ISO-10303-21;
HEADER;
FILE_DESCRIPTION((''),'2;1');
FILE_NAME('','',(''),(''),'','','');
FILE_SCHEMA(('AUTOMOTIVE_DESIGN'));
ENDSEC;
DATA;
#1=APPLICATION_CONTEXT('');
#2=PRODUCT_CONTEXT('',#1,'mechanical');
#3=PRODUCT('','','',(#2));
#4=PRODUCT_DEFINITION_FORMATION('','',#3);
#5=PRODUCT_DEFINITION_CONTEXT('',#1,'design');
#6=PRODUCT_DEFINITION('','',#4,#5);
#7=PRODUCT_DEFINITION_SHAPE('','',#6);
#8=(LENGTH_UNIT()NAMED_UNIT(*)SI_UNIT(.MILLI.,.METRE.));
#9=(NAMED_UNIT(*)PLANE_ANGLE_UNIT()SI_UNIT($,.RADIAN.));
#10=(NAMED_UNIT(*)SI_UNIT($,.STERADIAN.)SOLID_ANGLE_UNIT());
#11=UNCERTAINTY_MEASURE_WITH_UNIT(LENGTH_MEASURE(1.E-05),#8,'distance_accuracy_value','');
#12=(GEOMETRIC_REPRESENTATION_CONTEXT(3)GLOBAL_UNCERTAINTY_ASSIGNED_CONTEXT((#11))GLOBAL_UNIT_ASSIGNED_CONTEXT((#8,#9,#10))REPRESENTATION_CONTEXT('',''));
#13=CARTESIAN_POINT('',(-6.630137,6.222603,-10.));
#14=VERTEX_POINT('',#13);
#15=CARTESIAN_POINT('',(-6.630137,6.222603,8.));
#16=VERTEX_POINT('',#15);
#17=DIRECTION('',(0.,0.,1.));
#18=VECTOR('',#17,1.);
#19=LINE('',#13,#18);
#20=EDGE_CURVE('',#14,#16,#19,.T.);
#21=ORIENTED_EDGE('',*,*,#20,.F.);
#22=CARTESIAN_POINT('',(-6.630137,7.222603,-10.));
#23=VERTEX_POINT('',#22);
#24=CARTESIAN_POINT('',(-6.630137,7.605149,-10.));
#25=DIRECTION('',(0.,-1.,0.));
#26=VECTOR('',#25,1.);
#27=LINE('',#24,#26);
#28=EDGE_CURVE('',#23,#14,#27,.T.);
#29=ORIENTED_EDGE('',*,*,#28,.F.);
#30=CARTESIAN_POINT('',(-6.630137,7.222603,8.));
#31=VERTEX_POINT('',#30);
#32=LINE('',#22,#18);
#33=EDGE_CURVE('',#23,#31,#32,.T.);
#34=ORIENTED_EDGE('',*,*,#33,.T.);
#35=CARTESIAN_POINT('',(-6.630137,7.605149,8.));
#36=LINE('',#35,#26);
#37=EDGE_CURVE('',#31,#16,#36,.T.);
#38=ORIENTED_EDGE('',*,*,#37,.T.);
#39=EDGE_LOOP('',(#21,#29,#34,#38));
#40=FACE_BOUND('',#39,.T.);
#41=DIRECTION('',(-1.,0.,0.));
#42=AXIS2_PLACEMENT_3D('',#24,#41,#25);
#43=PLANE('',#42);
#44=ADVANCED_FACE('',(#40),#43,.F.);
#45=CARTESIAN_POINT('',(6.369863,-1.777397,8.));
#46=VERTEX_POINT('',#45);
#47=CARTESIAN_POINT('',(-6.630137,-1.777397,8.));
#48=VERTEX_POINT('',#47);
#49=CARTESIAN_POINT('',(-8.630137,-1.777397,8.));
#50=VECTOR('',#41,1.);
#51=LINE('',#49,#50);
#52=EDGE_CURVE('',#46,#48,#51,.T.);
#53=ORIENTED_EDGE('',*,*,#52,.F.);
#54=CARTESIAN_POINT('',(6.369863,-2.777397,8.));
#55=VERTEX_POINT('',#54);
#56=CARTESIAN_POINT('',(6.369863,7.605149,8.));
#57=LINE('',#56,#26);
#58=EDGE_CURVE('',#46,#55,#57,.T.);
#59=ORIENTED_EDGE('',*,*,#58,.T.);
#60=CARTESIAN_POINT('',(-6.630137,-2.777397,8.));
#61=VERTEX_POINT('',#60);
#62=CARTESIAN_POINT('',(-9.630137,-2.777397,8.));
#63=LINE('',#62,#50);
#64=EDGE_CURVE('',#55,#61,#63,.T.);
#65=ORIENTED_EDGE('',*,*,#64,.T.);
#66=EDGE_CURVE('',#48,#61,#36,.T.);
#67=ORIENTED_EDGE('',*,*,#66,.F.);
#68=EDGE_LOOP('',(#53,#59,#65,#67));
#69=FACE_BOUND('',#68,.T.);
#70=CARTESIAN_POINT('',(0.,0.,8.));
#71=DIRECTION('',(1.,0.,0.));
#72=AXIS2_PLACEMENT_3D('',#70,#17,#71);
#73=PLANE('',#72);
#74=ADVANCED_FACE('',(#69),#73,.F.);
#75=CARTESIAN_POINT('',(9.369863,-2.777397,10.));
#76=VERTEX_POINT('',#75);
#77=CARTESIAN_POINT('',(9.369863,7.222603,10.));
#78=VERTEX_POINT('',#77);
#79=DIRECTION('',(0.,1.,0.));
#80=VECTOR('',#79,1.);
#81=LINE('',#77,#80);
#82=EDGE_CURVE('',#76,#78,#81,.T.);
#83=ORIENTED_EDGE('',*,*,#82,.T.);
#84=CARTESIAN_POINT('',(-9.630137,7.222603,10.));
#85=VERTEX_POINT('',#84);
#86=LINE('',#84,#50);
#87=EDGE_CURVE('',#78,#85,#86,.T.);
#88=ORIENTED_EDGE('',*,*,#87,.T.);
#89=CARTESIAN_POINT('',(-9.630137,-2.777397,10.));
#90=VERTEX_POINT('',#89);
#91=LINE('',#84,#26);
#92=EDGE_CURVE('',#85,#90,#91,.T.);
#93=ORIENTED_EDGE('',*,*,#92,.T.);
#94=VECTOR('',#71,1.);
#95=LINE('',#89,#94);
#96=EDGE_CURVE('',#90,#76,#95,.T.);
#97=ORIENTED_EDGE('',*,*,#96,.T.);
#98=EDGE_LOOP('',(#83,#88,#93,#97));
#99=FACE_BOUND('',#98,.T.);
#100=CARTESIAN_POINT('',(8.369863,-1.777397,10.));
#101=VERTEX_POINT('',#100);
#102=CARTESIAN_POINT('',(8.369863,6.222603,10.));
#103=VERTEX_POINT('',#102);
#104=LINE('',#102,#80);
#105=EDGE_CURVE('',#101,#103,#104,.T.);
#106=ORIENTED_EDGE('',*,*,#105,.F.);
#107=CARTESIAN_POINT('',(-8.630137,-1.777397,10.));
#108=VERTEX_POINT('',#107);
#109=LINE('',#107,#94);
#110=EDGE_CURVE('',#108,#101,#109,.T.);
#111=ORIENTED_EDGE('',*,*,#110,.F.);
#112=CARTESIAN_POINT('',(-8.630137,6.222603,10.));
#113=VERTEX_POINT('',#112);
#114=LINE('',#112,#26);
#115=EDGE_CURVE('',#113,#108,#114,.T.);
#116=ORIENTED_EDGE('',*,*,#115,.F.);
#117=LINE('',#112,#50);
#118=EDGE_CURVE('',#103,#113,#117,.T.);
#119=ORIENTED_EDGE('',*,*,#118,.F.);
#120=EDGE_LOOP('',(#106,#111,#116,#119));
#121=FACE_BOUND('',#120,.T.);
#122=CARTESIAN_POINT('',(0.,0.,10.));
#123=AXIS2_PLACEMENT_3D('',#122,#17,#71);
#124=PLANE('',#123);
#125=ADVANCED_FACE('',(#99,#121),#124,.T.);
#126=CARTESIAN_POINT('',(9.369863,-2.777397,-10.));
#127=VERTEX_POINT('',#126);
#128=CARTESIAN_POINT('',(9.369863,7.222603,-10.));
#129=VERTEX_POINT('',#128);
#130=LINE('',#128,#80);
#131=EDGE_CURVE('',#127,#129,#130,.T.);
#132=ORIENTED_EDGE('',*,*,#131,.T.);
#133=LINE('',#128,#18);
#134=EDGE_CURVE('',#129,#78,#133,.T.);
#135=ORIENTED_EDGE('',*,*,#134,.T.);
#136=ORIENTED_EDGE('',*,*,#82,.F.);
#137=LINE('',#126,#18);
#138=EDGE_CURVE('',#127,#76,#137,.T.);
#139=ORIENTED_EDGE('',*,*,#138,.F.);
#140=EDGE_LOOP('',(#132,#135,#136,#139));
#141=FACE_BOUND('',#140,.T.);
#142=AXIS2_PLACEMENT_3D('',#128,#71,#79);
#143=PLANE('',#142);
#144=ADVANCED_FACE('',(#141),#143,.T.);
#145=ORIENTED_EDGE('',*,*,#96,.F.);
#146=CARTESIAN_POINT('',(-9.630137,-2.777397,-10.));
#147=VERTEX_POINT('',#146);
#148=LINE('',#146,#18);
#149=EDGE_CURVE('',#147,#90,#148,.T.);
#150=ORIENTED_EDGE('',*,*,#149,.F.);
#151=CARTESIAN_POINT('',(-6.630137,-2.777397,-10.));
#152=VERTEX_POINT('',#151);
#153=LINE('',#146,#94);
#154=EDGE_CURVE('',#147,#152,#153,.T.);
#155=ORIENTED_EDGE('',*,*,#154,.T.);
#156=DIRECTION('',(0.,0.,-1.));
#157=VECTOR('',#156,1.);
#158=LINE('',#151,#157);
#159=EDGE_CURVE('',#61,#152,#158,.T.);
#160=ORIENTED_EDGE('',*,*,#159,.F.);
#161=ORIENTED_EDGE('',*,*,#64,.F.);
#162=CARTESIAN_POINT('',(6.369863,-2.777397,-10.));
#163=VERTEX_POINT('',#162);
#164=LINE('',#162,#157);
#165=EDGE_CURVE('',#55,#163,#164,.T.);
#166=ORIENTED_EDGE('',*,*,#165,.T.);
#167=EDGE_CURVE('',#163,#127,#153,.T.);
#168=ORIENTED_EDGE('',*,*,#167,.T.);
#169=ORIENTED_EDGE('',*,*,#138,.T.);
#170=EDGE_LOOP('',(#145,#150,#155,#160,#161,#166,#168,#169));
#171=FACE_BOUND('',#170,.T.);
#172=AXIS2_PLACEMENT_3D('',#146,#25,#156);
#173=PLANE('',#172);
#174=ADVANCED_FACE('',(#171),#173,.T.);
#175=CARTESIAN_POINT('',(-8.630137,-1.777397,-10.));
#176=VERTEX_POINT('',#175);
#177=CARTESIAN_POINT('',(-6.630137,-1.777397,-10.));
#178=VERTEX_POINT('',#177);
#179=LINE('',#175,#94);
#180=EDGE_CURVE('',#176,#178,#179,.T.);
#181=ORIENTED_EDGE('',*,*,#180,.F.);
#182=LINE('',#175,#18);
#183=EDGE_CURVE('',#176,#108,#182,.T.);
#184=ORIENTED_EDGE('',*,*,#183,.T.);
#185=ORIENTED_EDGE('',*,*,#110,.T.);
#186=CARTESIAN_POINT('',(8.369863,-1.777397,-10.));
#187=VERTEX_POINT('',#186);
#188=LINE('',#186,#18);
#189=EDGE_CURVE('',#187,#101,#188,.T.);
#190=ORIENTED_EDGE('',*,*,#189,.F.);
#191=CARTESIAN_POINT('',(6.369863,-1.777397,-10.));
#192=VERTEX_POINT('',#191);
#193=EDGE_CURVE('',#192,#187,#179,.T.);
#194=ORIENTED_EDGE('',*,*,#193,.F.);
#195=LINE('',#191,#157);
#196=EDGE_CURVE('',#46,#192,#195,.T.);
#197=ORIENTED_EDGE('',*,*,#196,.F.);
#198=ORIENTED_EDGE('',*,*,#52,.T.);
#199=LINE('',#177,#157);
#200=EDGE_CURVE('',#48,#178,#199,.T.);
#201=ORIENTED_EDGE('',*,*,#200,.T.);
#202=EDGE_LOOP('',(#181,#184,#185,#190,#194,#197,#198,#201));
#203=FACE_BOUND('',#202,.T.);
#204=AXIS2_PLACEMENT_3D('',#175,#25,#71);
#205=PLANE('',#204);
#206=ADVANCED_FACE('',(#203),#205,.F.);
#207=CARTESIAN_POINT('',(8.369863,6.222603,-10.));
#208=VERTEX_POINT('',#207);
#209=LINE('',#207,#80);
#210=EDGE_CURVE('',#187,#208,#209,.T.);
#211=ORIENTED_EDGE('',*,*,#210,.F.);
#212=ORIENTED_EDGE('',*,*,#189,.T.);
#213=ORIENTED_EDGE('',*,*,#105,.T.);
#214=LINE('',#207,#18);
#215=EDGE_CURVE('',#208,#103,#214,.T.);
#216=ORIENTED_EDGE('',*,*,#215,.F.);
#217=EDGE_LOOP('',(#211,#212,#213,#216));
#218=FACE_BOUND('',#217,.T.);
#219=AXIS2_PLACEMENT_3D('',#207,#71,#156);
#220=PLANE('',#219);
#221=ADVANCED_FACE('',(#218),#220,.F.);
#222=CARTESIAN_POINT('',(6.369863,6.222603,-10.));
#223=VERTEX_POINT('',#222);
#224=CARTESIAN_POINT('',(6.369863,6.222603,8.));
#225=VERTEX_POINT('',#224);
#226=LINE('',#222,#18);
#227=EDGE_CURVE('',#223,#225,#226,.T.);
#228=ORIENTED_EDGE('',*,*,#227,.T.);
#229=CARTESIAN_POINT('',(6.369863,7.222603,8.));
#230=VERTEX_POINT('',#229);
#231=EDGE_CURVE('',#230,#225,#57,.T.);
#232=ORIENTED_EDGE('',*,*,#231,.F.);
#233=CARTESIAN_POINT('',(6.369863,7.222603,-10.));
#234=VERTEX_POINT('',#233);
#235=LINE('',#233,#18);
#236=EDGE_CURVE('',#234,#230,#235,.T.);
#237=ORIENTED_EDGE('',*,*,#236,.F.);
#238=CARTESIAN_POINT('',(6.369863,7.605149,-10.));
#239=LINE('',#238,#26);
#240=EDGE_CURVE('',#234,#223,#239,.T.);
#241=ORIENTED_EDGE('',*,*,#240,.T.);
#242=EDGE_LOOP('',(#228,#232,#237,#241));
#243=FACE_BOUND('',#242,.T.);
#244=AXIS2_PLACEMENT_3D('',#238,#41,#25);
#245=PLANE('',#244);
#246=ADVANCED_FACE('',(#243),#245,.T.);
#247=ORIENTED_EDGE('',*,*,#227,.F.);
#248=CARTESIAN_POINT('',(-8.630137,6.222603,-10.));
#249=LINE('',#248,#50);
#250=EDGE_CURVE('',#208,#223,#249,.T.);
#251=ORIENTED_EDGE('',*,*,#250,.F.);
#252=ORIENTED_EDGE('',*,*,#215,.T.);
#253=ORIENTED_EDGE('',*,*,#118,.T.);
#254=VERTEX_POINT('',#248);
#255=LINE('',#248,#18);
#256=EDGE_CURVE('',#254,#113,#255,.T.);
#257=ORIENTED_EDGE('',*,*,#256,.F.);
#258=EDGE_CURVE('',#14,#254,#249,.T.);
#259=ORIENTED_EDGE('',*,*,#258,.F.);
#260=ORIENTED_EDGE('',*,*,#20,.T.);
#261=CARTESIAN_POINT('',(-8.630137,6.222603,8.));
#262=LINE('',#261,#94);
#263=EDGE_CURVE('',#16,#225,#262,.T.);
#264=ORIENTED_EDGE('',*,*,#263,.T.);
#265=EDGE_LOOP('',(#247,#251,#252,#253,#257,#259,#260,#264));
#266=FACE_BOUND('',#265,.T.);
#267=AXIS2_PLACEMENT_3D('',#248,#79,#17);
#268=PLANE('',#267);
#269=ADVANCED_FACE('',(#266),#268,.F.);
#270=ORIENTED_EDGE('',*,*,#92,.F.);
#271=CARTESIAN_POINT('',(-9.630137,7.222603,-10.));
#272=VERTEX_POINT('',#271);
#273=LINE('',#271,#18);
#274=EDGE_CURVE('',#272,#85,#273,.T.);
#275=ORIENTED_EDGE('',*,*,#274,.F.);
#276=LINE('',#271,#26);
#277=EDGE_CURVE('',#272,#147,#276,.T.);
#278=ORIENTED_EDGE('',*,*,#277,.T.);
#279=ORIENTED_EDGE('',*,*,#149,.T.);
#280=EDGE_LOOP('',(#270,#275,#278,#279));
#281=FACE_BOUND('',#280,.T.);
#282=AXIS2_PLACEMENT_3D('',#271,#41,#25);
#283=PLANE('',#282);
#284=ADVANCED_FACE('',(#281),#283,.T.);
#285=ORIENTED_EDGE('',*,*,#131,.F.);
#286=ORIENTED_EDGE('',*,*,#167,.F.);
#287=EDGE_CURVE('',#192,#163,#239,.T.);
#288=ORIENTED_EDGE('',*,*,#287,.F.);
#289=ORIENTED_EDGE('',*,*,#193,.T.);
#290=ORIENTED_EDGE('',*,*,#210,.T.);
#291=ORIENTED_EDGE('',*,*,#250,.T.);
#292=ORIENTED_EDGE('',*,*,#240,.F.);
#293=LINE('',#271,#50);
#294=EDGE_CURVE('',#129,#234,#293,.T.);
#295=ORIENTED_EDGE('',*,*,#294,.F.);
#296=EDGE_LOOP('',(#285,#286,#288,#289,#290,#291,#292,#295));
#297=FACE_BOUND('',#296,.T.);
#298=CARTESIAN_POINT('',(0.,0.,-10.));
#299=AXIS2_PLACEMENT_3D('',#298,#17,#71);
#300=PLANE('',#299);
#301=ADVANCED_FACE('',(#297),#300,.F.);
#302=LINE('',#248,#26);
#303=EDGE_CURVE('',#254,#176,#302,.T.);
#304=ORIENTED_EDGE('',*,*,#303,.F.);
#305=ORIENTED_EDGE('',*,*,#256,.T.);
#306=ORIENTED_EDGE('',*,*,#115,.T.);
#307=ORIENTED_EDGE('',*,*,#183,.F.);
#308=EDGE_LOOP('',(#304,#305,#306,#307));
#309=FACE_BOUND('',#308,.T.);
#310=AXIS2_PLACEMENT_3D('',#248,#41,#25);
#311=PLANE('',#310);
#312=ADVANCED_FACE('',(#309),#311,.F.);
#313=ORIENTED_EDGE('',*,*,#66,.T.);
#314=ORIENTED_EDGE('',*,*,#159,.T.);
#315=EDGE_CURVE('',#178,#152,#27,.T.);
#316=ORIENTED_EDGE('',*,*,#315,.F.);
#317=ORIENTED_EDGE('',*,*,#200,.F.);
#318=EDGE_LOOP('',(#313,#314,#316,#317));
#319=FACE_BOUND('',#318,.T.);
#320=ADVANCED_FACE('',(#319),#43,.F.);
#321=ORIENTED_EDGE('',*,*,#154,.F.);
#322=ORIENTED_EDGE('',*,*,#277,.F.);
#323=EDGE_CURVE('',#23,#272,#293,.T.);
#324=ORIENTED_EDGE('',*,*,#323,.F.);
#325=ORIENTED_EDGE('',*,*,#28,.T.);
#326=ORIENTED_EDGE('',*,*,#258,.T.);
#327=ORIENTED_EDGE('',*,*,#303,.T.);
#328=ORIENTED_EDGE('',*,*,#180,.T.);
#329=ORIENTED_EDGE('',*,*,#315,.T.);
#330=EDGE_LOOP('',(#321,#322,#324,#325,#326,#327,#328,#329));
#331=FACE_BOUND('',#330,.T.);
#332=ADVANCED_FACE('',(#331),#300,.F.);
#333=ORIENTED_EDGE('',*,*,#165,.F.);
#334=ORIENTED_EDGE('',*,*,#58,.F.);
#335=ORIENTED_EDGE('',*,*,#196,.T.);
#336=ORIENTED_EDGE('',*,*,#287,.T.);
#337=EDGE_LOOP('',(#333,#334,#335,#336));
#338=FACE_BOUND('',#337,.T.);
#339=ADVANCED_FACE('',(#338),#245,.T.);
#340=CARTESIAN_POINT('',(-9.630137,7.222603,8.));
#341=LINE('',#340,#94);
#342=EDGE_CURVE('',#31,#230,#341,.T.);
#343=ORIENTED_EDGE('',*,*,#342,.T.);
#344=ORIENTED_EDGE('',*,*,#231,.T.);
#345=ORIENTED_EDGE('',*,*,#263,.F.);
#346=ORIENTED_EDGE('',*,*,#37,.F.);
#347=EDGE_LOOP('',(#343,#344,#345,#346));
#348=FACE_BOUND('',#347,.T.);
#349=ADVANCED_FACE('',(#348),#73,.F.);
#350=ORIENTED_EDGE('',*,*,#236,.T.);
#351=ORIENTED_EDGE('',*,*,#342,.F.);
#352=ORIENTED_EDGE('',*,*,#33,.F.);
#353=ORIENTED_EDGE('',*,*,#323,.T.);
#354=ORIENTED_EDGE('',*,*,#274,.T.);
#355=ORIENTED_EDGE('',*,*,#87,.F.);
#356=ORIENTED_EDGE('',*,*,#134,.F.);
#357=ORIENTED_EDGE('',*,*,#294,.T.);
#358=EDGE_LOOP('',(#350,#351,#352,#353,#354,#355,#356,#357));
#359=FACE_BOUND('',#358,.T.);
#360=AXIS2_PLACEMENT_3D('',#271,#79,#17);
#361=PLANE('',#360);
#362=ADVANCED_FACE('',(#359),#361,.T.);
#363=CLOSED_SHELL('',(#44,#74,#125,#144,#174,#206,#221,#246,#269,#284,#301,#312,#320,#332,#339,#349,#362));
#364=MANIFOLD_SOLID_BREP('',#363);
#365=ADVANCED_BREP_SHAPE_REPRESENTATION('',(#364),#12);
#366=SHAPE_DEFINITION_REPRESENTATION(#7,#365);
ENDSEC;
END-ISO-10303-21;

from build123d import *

# Parameters (mm, degrees)
BOSS_EXTRUDE1_DEPTH      = 10
BOSS_EXTRUDE1_DEPTH_BACK = 10
SKETCH1_W                = 19
SKETCH1_H                = 10
SKETCH2_W                = 17
SKETCH2_H                = 8
CUT_EXTRUDE1_DEPTH       = 20
CUT_EXTRUDE3_DEPTH       = 8
CUT_EXTRUDE3_DEPTH_BACK  = 10
SKETCH3_W                = 13
SKETCH3_H                = 10.51996768


with BuildPart() as part:
    # Sketch1 → Boss-Extrude1 (new, two sides: drawn at the far end of the back side and taken through both)
    with BuildSketch(Plane.XY.offset(-BOSS_EXTRUDE1_DEPTH_BACK)):
        with Locations((-0.130136986, 2.22260274)):
            Rectangle(SKETCH1_W, SKETCH1_H)
    extrude(amount=BOSS_EXTRUDE1_DEPTH + BOSS_EXTRUDE1_DEPTH_BACK)

    # Sketch2 → Cut-Extrude1 (cut)
    with BuildSketch(Plane.XY.offset(10)):
        with Locations((-0.130136986, 2.22260274)):
            Rectangle(SKETCH2_W, SKETCH2_H)
    extrude(amount=-CUT_EXTRUDE1_DEPTH, mode=Mode.SUBTRACT)

    # Sketch3 → Cut-Extrude3 (cut, two sides: drawn at the far end of the back side and taken through both)
    with BuildSketch(Plane.XY.offset(-CUT_EXTRUDE3_DEPTH_BACK)):
        with Locations((-0.130136986, 2.34516547)):
            Rectangle(SKETCH3_W, SKETCH3_H)
    extrude(amount=CUT_EXTRUDE3_DEPTH + CUT_EXTRUDE3_DEPTH_BACK, mode=Mode.SUBTRACT)


solid = part.part
